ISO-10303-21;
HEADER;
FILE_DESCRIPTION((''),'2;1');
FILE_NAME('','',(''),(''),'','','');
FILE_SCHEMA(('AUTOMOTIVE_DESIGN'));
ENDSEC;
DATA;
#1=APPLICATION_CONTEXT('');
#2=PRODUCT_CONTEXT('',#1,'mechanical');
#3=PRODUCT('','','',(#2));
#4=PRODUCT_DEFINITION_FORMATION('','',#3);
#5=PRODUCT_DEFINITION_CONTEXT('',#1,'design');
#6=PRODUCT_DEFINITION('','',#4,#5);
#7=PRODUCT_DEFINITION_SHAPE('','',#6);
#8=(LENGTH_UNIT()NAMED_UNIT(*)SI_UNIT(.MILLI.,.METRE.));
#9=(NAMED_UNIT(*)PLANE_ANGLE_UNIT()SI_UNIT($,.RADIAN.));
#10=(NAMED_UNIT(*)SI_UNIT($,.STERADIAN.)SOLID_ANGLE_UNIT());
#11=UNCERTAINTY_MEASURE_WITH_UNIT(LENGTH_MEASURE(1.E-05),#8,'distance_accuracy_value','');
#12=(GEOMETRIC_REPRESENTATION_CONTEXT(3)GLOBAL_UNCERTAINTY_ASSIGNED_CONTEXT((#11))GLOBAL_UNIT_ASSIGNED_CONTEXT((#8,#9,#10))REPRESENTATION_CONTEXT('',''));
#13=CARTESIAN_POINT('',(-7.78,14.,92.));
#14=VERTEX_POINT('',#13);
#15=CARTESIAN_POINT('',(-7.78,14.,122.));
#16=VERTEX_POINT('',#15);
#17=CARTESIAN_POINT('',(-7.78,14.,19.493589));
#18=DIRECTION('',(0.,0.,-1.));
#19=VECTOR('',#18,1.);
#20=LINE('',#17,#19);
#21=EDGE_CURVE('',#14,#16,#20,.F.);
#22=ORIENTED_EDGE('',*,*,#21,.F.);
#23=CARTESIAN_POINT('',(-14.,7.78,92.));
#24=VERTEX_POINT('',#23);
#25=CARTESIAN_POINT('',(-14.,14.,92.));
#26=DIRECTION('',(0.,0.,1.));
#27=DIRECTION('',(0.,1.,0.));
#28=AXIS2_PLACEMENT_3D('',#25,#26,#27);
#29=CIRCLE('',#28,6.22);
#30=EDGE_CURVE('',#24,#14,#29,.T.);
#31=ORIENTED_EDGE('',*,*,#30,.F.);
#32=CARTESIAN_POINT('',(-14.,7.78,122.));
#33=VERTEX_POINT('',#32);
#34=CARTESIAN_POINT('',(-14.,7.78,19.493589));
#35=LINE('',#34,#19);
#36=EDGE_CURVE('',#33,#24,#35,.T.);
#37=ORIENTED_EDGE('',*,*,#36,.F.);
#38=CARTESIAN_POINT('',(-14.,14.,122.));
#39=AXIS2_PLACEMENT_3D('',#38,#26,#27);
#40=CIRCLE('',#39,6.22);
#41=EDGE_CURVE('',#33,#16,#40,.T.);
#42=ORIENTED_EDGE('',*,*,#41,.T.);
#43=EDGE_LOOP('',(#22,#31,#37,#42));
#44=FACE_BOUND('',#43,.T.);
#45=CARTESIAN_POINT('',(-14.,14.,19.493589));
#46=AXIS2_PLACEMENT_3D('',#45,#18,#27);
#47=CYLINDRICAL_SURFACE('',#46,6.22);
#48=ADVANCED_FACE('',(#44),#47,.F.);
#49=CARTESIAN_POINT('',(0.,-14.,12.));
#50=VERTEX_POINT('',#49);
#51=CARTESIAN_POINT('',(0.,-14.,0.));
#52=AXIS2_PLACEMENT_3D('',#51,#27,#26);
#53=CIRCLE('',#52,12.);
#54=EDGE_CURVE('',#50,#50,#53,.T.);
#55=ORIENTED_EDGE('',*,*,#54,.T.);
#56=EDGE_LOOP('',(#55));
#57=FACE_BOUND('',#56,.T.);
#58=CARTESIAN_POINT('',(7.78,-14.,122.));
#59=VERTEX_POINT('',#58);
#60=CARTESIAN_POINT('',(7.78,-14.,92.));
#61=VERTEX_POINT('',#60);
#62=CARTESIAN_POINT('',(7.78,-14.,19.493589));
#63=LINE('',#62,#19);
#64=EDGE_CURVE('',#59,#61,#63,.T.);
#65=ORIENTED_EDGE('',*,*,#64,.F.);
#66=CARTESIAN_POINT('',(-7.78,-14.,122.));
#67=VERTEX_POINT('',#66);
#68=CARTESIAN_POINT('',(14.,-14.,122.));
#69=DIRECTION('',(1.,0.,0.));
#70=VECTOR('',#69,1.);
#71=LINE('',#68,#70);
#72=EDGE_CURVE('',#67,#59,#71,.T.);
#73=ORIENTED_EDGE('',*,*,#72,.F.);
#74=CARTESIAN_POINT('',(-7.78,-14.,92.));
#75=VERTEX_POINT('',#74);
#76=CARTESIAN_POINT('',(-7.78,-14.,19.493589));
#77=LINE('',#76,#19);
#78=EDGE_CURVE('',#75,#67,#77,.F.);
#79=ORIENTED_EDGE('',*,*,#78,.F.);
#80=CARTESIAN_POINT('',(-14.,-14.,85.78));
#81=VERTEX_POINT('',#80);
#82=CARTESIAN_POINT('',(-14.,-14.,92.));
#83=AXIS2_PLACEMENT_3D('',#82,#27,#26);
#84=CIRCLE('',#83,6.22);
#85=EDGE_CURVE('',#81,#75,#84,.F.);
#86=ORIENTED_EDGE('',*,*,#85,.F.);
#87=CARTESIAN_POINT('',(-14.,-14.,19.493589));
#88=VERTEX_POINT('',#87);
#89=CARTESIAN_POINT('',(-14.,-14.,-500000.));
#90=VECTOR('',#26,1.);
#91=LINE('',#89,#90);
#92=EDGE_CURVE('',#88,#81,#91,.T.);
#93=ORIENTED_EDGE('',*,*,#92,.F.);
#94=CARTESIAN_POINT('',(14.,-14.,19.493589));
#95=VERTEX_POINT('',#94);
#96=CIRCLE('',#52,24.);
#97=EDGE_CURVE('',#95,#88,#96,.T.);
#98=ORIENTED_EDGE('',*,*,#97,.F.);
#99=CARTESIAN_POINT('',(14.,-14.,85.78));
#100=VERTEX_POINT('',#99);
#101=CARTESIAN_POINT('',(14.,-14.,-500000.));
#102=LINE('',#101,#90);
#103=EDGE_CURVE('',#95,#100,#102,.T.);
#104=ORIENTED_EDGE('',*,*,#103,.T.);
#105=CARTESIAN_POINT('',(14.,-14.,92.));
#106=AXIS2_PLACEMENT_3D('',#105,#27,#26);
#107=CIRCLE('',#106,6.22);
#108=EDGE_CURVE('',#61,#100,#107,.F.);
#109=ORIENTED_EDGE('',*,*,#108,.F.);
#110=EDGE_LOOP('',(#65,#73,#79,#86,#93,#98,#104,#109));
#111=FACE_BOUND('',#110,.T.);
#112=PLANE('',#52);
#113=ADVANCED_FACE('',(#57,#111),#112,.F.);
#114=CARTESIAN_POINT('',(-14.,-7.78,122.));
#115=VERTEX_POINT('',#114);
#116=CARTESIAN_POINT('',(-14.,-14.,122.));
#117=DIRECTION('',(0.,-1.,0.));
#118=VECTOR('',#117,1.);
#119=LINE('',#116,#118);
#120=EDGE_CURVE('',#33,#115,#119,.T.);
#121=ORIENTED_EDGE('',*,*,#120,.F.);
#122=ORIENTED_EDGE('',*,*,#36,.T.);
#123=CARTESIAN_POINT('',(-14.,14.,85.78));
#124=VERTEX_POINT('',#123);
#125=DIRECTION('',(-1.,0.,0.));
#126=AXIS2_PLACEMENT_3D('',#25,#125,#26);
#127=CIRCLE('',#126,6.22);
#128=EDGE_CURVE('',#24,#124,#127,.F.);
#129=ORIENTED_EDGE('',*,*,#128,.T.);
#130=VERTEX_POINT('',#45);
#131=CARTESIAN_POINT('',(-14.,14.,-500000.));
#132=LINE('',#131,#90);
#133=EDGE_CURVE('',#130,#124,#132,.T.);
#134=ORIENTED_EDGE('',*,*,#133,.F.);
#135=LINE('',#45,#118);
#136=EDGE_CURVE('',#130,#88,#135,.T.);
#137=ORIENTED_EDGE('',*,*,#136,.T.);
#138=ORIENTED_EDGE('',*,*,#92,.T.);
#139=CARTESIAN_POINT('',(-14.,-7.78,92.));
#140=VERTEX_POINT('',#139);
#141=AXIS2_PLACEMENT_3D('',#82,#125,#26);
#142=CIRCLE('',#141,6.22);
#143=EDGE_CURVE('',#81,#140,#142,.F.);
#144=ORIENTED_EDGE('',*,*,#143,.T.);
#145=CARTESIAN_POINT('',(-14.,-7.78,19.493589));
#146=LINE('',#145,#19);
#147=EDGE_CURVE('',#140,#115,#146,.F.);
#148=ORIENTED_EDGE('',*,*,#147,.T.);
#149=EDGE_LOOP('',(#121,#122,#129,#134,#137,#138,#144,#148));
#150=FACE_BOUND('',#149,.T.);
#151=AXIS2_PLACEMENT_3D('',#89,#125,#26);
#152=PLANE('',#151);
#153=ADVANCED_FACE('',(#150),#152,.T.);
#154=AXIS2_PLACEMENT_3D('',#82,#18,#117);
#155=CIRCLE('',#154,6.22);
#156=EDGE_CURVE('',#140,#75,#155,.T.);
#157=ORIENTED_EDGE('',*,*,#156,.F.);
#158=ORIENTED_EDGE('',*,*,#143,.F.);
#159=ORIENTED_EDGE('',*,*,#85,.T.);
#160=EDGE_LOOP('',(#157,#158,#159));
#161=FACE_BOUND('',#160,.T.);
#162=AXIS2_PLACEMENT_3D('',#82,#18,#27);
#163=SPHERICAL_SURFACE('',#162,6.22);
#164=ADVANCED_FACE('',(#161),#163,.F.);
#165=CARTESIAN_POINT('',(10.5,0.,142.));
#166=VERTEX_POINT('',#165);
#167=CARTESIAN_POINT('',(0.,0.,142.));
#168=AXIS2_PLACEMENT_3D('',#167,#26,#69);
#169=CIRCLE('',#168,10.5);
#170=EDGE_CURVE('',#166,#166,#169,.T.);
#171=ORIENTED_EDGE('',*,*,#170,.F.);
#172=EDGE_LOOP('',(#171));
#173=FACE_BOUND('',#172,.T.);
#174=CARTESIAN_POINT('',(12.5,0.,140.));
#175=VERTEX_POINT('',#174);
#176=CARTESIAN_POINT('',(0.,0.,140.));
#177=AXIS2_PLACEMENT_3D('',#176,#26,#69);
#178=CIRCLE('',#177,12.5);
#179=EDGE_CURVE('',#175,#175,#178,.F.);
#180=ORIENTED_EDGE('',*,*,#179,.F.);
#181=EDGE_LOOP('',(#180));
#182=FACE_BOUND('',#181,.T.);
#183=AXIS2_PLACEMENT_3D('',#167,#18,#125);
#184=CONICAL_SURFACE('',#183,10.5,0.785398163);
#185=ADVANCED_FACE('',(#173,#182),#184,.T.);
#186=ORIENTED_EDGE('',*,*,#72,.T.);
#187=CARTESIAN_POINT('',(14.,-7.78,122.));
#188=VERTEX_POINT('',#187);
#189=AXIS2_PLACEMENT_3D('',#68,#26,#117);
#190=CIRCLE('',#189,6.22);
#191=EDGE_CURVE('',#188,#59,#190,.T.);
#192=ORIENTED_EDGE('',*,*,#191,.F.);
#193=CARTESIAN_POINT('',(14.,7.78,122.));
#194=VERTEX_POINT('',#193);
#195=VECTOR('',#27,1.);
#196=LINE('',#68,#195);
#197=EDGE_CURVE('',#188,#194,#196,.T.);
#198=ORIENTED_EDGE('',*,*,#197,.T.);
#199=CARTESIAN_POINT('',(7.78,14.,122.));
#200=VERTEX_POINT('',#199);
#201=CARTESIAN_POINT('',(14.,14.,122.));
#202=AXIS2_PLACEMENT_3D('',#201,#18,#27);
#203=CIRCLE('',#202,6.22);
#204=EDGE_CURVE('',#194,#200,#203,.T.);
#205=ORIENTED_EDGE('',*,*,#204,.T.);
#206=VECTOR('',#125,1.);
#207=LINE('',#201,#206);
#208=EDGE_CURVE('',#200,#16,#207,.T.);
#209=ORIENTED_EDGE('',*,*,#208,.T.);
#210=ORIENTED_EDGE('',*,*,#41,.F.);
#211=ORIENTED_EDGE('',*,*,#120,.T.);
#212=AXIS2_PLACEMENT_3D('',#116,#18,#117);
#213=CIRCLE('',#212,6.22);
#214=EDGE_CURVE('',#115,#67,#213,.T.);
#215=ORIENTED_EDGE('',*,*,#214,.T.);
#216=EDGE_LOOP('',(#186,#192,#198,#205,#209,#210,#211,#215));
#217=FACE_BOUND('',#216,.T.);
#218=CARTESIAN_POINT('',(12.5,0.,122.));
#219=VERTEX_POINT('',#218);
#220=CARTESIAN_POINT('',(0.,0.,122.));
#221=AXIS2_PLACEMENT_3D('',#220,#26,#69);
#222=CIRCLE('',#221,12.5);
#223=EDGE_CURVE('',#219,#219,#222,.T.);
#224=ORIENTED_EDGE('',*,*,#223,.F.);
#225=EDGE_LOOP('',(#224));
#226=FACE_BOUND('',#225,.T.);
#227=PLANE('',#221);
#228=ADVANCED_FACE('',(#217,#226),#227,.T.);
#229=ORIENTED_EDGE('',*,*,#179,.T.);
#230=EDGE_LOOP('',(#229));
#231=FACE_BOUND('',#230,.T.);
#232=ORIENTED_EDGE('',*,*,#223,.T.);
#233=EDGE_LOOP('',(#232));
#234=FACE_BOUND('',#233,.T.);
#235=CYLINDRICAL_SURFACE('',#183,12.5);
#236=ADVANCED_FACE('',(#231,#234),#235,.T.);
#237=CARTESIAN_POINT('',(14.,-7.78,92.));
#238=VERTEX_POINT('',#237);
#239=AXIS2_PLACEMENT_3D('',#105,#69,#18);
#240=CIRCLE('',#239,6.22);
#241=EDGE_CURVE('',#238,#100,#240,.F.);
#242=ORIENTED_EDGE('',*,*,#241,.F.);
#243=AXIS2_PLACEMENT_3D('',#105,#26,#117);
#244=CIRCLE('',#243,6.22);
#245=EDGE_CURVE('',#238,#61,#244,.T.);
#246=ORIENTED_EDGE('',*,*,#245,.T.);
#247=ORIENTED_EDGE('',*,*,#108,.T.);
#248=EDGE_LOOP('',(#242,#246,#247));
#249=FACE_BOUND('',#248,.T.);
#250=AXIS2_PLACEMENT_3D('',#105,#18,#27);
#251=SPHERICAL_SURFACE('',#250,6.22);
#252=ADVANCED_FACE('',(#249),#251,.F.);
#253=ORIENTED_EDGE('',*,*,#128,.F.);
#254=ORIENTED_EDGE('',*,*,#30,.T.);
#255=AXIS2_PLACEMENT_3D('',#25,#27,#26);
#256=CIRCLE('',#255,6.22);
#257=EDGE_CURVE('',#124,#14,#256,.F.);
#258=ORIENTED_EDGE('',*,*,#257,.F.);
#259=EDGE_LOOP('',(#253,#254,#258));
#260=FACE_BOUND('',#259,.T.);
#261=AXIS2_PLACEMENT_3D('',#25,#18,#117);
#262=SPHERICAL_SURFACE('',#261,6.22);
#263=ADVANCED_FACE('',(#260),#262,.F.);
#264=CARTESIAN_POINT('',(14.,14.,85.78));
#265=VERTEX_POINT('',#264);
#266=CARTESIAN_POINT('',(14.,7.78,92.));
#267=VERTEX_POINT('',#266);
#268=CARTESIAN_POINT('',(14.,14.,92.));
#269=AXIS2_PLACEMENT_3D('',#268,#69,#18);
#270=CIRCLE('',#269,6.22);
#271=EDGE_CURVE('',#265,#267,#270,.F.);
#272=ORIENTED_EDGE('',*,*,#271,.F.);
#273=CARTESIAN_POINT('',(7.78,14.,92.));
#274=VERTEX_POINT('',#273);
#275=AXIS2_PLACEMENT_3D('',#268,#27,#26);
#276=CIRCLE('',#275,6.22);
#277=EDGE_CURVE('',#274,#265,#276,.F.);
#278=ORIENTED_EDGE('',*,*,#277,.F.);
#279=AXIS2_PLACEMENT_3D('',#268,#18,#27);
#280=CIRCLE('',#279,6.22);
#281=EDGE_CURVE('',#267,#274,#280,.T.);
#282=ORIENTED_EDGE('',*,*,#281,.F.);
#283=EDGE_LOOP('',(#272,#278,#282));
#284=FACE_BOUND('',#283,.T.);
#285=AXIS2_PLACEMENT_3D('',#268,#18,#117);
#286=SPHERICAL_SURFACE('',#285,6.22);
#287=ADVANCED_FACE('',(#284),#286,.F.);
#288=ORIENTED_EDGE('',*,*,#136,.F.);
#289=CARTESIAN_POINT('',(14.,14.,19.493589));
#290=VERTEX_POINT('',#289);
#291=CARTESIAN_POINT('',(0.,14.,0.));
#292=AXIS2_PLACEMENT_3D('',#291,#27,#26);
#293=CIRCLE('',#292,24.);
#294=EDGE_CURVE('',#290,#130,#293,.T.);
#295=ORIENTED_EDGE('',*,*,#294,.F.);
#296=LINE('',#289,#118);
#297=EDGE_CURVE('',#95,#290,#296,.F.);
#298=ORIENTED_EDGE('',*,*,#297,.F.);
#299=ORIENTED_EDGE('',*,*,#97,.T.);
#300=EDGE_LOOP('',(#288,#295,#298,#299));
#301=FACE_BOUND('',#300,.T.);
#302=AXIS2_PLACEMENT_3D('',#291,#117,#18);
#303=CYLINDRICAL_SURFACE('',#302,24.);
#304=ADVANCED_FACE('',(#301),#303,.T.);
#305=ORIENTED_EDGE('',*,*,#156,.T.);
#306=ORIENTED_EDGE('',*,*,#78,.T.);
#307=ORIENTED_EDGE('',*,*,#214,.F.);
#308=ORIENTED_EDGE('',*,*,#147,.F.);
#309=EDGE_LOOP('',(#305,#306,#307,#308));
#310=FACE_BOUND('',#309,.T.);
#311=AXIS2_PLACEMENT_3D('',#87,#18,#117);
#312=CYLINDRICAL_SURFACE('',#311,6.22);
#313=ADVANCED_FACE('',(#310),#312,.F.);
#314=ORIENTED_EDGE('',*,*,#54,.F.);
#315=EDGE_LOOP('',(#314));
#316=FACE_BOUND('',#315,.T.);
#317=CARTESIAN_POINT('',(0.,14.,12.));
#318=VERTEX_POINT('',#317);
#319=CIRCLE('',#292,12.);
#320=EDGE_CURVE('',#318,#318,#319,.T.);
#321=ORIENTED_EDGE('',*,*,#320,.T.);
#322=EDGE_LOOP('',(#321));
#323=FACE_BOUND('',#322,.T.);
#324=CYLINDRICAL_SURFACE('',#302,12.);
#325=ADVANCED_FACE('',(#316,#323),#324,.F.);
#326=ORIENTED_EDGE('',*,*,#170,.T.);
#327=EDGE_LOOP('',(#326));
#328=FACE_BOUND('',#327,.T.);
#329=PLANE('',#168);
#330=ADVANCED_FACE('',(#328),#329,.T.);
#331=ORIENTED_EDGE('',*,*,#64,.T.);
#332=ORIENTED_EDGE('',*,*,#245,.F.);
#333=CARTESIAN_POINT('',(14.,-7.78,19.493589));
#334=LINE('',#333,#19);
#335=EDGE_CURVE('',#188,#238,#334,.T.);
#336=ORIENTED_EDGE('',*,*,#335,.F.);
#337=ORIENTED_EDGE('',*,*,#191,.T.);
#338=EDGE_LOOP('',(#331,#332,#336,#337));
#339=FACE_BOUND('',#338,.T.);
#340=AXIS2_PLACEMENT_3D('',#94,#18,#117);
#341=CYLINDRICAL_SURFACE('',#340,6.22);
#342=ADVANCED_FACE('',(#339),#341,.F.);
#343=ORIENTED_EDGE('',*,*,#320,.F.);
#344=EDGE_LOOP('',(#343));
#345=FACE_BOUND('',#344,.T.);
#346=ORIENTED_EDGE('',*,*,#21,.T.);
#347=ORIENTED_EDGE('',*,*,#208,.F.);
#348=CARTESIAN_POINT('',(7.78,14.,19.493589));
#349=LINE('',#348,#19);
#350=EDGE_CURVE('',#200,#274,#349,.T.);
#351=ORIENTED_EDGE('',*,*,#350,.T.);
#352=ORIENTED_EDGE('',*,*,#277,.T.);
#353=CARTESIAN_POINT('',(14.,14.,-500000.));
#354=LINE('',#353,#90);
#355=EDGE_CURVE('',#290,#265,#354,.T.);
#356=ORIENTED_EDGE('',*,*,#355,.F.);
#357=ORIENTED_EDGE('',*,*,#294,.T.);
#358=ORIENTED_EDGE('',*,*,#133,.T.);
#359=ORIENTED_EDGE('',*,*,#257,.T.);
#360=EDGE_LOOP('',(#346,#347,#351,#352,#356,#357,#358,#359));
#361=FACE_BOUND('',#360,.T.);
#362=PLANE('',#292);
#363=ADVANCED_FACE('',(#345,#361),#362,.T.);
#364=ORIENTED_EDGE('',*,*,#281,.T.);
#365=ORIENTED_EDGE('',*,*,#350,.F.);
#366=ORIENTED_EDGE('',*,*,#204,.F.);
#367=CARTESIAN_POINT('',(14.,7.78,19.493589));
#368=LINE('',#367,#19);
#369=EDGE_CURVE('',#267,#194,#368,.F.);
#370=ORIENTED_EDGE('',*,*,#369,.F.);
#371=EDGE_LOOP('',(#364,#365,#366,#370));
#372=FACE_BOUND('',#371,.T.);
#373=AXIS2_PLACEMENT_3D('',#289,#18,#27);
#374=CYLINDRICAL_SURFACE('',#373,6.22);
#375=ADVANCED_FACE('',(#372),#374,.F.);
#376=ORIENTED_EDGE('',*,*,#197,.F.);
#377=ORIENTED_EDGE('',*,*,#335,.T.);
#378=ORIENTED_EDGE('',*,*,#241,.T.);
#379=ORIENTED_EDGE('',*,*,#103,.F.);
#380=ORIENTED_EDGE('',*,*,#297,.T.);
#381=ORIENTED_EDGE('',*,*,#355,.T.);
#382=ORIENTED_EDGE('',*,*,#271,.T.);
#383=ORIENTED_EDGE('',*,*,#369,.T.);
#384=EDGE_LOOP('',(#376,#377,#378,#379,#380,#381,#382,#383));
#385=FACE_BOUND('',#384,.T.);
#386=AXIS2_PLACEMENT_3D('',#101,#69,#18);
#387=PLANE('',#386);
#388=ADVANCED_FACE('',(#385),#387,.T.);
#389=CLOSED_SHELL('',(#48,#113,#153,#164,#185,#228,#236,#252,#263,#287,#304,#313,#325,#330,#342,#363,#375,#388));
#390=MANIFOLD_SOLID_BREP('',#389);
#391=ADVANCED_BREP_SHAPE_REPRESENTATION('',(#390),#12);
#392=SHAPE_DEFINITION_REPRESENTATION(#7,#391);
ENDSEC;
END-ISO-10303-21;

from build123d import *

# Parameters (mm, degrees)
SKETCH1_R           = 24
SKETCH1_R_2         = 12
BOSS_EXTRUDE1_DEPTH = 14
BOSS_EXTRUDE2_REACH = 148
SKETCH2_W           = 28
SKETCH2_H           = 28
SKETCH4_R           = 12.5
BOSS_EXTRUDE3_DEPTH = 20
CHAMFER1_SIZE       = 2


with BuildPart() as part:
    # Sketch1 → Boss-Extrude1 (new body, symmetric)
    with BuildSketch(Plane(origin=(0, 0, 0), x_dir=(1, 0, 0), z_dir=(0, 1, 0))):
        Circle(SKETCH1_R)
        Circle(SKETCH1_R_2, mode=Mode.SUBTRACT)
    extrude(amount=BOSS_EXTRUDE1_DEPTH, both=True)

    # Sketch2 → Boss-Extrude2 (add, up to next)
    with BuildSketch(Plane.XY.offset(122), mode=Mode.PRIVATE) as boss_extrude2_sk1:
        Rectangle(SKETCH2_W, SKETCH2_H)
    boss_extrude2_tool1 = extrude(boss_extrude2_sk1.sketch, amount=-BOSS_EXTRUDE2_REACH, mode=Mode.PRIVATE) - part.part
    add(boss_extrude2_tool1.solids().sort_by_distance((0, 0, 122))[0])

    # Sketch3 → Cut-Revolve1 (revolve, cut)
    with BuildSketch(Plane(origin=(14, 0, 0), x_dir=(0, 0, -1), z_dir=(1, 0, 0))):
        with BuildLine():
            Line((-122, 14), (-122, 7.78))
            Line((-122, 7.78), (-92, 7.78))
            ThreePointArc((-92, 7.78), (-87.601795821, 9.601795821), (-85.78, 14))
            Line((-85.78, 14), (-122, 14))
        make_face()
    cut_revolve1 = revolve(axis=Axis((14, 14, -500000), (0, 0, 1)), mode=Mode.SUBTRACT)

    # Mirror1: Cut-Revolve1 across plane
    add(cut_revolve1.mirror(Plane(origin=(0, 0, 0), x_dir=(0, 0, 1), z_dir=(1, 0, 0))), mode=Mode.SUBTRACT)

    # Mirror2: Cut-Revolve1 across plane
    add(cut_revolve1.mirror(Plane.ZX), mode=Mode.SUBTRACT)

    # Mirror2 copy 1 sketch → Mirror2 copy 1 (revolve, cut)
    with BuildSketch(Plane(origin=(-14, 0, 0), x_dir=(0, 0, -1), z_dir=(-1, 0, 0))):
        with BuildLine():
            Line((-122, 14), (-122, 7.78))
            Line((-122, 7.78), (-92, 7.78))
            ThreePointArc((-92, 7.78), (-87.601795821, 9.601795821), (-85.78, 14))
            Line((-85.78, 14), (-122, 14))
        make_face()
    revolve(axis=Axis((-14, -14, -500000), (0, 0, 1)), mode=Mode.SUBTRACT)

    # Sketch4 → Boss-Extrude3 (add)
    with BuildSketch(Plane.XY.offset(122)):
        Circle(SKETCH4_R)
    extrude(amount=BOSS_EXTRUDE3_DEPTH)

    # Chamfer1
    chamfer1_edges = [part.edges().sort_by_distance(p)[0] for p in [
        (-12.5, 0, 142),
    ]]
    chamfer(chamfer1_edges, length=CHAMFER1_SIZE)


solid = part.part
